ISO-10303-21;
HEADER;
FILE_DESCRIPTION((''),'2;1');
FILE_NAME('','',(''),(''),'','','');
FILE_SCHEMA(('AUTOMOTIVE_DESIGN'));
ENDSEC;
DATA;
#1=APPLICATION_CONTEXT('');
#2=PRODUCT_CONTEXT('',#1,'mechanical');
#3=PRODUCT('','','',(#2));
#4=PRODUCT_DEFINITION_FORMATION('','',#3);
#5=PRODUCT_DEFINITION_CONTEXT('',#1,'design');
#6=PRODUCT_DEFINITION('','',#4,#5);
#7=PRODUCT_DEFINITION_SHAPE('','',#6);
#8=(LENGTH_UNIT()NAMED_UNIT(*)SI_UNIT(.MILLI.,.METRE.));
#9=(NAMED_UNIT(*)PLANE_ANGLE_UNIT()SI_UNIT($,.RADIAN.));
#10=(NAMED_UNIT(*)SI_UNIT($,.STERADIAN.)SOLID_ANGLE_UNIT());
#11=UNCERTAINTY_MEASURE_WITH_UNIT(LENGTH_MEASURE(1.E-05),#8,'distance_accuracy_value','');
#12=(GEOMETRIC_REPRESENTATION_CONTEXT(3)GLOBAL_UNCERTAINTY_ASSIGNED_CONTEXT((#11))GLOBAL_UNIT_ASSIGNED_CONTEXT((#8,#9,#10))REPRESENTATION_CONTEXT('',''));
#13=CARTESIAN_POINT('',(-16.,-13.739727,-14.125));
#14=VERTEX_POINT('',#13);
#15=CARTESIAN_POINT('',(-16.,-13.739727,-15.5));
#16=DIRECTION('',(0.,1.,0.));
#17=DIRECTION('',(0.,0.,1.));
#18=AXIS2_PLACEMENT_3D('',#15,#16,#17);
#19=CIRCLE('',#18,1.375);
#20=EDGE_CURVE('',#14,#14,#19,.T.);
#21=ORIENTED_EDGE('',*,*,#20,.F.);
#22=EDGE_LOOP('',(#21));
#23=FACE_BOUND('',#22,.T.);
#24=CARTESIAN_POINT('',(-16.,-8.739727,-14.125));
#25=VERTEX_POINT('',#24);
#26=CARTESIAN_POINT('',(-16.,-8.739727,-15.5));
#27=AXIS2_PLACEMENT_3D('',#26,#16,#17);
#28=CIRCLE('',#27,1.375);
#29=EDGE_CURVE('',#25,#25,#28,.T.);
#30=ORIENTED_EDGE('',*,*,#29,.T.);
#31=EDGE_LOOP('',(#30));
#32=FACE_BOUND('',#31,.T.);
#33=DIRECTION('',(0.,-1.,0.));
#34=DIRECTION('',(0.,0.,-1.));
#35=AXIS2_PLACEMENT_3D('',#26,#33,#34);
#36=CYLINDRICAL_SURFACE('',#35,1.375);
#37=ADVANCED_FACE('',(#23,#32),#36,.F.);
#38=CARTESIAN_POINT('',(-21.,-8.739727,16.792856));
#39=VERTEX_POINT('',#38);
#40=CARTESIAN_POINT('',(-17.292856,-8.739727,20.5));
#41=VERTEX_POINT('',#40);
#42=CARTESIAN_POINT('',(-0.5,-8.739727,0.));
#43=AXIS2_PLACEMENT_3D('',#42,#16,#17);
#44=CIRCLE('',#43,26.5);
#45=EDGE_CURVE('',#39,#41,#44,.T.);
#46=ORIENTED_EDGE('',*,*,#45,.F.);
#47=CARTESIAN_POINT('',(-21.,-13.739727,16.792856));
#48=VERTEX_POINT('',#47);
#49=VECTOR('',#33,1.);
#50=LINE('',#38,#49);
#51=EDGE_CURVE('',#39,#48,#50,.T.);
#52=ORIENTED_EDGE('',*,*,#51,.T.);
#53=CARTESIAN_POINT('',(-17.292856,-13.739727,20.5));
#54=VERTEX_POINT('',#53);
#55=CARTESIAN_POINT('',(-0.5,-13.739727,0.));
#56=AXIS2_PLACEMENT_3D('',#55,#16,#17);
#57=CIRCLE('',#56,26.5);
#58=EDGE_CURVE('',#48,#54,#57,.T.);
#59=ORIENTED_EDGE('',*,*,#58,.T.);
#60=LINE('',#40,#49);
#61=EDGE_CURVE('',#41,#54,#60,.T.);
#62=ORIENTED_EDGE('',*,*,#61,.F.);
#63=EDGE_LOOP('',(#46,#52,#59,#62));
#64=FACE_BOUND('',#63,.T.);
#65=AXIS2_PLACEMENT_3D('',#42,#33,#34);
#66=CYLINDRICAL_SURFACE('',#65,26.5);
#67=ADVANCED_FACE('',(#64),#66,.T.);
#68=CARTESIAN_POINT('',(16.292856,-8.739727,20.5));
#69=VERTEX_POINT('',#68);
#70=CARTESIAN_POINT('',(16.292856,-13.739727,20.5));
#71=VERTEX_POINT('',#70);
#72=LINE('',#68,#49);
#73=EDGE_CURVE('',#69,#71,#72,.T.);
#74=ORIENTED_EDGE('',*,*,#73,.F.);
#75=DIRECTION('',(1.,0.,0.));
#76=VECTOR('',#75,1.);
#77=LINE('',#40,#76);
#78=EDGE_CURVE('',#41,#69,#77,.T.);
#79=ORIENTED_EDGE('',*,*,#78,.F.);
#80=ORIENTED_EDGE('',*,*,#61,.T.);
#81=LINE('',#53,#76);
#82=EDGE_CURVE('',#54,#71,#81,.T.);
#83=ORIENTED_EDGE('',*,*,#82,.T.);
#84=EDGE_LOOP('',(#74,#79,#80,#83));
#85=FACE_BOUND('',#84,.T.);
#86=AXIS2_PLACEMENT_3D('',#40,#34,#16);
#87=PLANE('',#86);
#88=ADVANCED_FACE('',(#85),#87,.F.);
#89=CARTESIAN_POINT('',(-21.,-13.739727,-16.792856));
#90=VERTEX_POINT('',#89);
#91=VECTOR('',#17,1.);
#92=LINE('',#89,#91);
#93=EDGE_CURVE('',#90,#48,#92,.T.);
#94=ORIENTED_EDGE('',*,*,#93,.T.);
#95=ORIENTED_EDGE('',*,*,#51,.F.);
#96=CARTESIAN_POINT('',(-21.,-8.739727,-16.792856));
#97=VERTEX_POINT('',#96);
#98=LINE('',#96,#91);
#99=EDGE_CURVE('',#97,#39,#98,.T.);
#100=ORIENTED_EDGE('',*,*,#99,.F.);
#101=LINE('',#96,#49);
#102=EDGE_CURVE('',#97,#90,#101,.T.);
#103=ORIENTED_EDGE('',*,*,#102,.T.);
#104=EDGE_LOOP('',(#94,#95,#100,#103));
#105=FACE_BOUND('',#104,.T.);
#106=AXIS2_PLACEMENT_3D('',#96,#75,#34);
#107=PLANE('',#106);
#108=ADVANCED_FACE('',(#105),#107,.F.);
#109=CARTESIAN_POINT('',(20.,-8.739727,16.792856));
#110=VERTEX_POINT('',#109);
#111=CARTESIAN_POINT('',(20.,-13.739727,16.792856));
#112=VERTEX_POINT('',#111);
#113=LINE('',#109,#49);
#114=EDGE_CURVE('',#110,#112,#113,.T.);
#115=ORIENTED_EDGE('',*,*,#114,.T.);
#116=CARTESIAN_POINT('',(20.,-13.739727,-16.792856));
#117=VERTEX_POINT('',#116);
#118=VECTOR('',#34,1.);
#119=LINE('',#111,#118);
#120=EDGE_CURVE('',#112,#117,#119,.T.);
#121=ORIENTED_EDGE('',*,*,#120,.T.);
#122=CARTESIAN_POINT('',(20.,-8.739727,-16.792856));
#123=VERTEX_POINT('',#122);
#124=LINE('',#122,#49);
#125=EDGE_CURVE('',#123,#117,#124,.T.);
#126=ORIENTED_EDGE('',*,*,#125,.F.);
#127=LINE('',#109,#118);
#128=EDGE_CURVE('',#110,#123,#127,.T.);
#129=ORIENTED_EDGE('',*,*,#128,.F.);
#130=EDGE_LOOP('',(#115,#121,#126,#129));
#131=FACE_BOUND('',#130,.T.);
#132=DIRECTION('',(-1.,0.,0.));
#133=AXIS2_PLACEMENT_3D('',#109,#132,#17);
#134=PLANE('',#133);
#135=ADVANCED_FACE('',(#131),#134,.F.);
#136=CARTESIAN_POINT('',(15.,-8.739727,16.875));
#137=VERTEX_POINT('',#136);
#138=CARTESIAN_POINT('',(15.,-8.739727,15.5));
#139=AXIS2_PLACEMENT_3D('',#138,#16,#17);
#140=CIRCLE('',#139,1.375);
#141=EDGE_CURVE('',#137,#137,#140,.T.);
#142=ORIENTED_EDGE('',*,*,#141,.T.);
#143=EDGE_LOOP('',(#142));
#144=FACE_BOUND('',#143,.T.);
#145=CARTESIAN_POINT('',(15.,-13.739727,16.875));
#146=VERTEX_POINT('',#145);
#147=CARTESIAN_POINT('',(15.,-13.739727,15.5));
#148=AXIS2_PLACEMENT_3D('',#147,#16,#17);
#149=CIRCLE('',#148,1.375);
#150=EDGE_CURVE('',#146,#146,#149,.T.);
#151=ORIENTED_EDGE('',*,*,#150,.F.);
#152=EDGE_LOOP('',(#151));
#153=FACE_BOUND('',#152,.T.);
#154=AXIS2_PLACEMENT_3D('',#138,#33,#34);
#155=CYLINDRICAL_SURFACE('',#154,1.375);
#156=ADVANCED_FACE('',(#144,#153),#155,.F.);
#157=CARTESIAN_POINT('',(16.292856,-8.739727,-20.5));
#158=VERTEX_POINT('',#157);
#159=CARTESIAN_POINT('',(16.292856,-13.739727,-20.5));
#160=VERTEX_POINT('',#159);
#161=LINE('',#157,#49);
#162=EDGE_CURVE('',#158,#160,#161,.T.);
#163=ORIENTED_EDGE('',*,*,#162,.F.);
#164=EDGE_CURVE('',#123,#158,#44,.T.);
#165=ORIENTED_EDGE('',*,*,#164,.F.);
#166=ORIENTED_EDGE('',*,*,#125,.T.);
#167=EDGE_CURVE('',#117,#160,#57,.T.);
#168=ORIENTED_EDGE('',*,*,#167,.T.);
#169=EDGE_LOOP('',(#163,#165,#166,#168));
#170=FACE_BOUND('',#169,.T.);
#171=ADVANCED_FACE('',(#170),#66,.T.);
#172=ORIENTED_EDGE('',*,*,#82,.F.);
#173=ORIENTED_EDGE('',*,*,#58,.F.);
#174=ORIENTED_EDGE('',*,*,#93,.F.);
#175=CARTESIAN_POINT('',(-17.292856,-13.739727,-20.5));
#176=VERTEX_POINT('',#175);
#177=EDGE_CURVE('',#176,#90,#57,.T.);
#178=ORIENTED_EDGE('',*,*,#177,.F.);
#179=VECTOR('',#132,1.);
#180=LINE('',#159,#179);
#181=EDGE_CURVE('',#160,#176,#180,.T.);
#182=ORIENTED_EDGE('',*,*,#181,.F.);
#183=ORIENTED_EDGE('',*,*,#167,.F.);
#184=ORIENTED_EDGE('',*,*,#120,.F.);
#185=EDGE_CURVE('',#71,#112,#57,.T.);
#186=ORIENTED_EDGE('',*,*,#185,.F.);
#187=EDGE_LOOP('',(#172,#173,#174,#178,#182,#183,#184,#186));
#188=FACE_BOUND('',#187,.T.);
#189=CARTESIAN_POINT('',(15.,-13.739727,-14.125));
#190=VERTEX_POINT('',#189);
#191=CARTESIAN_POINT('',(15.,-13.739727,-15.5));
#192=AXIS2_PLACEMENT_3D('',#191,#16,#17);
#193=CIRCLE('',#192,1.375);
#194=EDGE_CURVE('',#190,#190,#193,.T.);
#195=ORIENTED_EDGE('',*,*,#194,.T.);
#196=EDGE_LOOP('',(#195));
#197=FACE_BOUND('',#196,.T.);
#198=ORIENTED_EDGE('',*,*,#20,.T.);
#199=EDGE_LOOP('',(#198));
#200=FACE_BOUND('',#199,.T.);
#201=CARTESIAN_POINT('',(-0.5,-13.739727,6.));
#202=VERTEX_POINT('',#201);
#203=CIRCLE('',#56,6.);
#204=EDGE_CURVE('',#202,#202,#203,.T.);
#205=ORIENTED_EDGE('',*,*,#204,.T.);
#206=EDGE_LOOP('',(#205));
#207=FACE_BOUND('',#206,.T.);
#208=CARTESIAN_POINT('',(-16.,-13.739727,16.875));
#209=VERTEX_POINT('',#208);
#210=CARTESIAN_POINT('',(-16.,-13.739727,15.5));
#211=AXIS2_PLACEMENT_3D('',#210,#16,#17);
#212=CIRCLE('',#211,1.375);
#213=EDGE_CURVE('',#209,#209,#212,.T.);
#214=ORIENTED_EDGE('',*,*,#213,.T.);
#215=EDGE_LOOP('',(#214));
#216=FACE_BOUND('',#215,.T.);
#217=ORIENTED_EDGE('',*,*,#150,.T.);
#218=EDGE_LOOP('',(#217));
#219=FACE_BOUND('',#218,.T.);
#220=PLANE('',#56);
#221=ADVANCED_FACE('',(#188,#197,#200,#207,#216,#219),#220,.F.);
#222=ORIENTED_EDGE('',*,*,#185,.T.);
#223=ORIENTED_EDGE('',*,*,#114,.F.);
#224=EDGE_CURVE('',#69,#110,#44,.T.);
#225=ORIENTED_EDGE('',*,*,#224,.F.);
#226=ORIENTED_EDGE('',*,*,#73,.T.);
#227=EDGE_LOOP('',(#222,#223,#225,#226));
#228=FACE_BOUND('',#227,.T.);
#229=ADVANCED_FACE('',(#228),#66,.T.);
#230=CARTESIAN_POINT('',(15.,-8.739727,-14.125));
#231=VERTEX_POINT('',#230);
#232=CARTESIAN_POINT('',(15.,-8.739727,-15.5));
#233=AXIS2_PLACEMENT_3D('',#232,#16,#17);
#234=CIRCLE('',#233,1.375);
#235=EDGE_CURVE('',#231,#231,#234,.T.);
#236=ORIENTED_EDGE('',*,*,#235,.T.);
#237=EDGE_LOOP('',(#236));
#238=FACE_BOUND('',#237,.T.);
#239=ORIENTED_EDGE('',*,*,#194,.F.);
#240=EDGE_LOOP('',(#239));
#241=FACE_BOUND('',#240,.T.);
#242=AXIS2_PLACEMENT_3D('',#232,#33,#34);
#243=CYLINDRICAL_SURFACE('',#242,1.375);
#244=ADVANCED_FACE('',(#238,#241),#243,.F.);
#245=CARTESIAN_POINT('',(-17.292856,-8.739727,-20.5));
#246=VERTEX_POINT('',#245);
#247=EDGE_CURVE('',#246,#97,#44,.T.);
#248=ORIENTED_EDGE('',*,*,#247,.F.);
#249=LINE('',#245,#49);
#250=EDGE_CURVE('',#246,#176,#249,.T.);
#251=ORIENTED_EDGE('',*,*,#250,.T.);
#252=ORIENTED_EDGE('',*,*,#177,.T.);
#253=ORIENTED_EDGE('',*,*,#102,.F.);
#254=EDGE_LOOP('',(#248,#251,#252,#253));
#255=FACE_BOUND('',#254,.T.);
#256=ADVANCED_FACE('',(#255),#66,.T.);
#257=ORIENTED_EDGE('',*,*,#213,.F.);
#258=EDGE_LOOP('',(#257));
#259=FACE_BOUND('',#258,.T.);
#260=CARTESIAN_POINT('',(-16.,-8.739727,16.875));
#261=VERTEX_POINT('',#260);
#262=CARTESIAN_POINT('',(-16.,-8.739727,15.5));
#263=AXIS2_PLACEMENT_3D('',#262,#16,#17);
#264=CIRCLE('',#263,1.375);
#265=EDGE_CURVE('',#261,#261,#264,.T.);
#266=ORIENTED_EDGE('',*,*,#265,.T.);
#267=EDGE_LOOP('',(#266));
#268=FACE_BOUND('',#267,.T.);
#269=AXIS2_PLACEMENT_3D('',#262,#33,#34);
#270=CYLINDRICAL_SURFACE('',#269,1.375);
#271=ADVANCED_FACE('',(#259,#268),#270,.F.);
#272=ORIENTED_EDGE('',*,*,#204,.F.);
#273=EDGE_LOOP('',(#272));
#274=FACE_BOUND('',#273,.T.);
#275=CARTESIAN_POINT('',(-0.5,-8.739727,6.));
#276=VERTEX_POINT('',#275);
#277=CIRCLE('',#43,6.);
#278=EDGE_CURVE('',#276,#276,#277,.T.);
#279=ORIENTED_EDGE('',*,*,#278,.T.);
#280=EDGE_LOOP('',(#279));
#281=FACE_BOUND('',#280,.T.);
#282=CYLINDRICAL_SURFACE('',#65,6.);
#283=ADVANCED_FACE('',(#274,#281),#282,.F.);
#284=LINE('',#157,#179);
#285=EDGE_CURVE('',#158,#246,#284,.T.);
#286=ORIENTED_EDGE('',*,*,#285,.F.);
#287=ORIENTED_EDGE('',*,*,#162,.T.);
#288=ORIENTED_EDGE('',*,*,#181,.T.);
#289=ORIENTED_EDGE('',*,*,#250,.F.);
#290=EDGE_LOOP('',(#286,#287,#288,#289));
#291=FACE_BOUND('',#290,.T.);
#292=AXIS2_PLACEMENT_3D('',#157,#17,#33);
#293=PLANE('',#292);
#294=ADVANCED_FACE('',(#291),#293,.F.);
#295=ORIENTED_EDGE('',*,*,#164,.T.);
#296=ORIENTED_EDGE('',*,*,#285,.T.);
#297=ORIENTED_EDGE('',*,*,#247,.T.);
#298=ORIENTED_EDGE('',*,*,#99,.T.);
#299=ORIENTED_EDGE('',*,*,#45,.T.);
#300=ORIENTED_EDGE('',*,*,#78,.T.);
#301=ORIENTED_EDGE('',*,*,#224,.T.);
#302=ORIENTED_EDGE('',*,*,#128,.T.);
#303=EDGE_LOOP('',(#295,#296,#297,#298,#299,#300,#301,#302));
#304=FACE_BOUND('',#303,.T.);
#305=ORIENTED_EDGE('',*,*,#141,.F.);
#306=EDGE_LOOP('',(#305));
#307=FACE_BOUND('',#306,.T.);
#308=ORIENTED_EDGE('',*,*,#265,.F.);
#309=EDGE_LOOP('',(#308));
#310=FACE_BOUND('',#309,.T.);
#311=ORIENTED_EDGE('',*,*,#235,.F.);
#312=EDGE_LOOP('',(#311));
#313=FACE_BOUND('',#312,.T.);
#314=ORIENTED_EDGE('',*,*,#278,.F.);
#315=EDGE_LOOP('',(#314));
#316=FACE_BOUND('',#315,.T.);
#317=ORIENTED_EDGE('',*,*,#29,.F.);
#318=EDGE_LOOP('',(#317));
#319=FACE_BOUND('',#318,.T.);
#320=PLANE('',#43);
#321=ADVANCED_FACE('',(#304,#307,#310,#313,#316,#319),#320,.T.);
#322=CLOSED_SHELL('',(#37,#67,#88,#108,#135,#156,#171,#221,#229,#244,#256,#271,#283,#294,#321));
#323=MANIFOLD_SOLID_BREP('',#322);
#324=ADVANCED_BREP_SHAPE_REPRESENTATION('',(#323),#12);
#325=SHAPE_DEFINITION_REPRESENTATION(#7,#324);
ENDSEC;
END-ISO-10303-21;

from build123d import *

# Parameters (mm, degrees)
SKETCH1_R           = 6
SKETCH1_R_2         = 1.375
BOSS_EXTRUDE1_DEPTH = 5


with BuildPart() as part:
    # Sketch1 → Boss-Extrude1 (new body)
    with BuildSketch(Plane(origin=(0, -13.739727311, 0), x_dir=(1, 0, 0), z_dir=(0, 1, 0))):
        with BuildLine():
            Line((16.292855624, 20.5), (-17.292855624, 20.5))
            ThreePointArc((-17.292855624, 20.5), (-19.238329701, 18.738329701), (-21, 16.792855624))
            Line((-21, 16.792855624), (-21, -16.792855624))
            ThreePointArc((-21, -16.792855624), (-19.238329701, -18.738329701), (-17.292855624, -20.5))
            Line((-17.292855624, -20.5), (16.292855624, -20.5))
            ThreePointArc((16.292855624, -20.5), (18.238329701, -18.738329701), (20, -16.792855624))
            Line((20, -16.792855624), (20, 16.792855624))
            ThreePointArc((20, 16.792855624), (18.238329701, 18.738329701), (16.292855624, 20.5))
        make_face()
        with Locations(Location((-0.5, 0, 0), (0, 0, 270))):
            Circle(SKETCH1_R, mode=Mode.SUBTRACT)
        with Locations(Location((-16, 15.5, 0), (0, 0, 270))):
            Circle(SKETCH1_R_2, mode=Mode.SUBTRACT)
        with Locations(Location((15, 15.5, 0), (0, 0, 270))):
            Circle(SKETCH1_R_2, mode=Mode.SUBTRACT)
        with Locations(Location((-16, -15.5, 0), (0, 0, 270))):
            Circle(SKETCH1_R_2, mode=Mode.SUBTRACT)
        with Locations(Location((15, -15.5, 0), (0, 0, 270))):
            Circle(SKETCH1_R_2, mode=Mode.SUBTRACT)
    extrude(amount=BOSS_EXTRUDE1_DEPTH)


solid = part.part
